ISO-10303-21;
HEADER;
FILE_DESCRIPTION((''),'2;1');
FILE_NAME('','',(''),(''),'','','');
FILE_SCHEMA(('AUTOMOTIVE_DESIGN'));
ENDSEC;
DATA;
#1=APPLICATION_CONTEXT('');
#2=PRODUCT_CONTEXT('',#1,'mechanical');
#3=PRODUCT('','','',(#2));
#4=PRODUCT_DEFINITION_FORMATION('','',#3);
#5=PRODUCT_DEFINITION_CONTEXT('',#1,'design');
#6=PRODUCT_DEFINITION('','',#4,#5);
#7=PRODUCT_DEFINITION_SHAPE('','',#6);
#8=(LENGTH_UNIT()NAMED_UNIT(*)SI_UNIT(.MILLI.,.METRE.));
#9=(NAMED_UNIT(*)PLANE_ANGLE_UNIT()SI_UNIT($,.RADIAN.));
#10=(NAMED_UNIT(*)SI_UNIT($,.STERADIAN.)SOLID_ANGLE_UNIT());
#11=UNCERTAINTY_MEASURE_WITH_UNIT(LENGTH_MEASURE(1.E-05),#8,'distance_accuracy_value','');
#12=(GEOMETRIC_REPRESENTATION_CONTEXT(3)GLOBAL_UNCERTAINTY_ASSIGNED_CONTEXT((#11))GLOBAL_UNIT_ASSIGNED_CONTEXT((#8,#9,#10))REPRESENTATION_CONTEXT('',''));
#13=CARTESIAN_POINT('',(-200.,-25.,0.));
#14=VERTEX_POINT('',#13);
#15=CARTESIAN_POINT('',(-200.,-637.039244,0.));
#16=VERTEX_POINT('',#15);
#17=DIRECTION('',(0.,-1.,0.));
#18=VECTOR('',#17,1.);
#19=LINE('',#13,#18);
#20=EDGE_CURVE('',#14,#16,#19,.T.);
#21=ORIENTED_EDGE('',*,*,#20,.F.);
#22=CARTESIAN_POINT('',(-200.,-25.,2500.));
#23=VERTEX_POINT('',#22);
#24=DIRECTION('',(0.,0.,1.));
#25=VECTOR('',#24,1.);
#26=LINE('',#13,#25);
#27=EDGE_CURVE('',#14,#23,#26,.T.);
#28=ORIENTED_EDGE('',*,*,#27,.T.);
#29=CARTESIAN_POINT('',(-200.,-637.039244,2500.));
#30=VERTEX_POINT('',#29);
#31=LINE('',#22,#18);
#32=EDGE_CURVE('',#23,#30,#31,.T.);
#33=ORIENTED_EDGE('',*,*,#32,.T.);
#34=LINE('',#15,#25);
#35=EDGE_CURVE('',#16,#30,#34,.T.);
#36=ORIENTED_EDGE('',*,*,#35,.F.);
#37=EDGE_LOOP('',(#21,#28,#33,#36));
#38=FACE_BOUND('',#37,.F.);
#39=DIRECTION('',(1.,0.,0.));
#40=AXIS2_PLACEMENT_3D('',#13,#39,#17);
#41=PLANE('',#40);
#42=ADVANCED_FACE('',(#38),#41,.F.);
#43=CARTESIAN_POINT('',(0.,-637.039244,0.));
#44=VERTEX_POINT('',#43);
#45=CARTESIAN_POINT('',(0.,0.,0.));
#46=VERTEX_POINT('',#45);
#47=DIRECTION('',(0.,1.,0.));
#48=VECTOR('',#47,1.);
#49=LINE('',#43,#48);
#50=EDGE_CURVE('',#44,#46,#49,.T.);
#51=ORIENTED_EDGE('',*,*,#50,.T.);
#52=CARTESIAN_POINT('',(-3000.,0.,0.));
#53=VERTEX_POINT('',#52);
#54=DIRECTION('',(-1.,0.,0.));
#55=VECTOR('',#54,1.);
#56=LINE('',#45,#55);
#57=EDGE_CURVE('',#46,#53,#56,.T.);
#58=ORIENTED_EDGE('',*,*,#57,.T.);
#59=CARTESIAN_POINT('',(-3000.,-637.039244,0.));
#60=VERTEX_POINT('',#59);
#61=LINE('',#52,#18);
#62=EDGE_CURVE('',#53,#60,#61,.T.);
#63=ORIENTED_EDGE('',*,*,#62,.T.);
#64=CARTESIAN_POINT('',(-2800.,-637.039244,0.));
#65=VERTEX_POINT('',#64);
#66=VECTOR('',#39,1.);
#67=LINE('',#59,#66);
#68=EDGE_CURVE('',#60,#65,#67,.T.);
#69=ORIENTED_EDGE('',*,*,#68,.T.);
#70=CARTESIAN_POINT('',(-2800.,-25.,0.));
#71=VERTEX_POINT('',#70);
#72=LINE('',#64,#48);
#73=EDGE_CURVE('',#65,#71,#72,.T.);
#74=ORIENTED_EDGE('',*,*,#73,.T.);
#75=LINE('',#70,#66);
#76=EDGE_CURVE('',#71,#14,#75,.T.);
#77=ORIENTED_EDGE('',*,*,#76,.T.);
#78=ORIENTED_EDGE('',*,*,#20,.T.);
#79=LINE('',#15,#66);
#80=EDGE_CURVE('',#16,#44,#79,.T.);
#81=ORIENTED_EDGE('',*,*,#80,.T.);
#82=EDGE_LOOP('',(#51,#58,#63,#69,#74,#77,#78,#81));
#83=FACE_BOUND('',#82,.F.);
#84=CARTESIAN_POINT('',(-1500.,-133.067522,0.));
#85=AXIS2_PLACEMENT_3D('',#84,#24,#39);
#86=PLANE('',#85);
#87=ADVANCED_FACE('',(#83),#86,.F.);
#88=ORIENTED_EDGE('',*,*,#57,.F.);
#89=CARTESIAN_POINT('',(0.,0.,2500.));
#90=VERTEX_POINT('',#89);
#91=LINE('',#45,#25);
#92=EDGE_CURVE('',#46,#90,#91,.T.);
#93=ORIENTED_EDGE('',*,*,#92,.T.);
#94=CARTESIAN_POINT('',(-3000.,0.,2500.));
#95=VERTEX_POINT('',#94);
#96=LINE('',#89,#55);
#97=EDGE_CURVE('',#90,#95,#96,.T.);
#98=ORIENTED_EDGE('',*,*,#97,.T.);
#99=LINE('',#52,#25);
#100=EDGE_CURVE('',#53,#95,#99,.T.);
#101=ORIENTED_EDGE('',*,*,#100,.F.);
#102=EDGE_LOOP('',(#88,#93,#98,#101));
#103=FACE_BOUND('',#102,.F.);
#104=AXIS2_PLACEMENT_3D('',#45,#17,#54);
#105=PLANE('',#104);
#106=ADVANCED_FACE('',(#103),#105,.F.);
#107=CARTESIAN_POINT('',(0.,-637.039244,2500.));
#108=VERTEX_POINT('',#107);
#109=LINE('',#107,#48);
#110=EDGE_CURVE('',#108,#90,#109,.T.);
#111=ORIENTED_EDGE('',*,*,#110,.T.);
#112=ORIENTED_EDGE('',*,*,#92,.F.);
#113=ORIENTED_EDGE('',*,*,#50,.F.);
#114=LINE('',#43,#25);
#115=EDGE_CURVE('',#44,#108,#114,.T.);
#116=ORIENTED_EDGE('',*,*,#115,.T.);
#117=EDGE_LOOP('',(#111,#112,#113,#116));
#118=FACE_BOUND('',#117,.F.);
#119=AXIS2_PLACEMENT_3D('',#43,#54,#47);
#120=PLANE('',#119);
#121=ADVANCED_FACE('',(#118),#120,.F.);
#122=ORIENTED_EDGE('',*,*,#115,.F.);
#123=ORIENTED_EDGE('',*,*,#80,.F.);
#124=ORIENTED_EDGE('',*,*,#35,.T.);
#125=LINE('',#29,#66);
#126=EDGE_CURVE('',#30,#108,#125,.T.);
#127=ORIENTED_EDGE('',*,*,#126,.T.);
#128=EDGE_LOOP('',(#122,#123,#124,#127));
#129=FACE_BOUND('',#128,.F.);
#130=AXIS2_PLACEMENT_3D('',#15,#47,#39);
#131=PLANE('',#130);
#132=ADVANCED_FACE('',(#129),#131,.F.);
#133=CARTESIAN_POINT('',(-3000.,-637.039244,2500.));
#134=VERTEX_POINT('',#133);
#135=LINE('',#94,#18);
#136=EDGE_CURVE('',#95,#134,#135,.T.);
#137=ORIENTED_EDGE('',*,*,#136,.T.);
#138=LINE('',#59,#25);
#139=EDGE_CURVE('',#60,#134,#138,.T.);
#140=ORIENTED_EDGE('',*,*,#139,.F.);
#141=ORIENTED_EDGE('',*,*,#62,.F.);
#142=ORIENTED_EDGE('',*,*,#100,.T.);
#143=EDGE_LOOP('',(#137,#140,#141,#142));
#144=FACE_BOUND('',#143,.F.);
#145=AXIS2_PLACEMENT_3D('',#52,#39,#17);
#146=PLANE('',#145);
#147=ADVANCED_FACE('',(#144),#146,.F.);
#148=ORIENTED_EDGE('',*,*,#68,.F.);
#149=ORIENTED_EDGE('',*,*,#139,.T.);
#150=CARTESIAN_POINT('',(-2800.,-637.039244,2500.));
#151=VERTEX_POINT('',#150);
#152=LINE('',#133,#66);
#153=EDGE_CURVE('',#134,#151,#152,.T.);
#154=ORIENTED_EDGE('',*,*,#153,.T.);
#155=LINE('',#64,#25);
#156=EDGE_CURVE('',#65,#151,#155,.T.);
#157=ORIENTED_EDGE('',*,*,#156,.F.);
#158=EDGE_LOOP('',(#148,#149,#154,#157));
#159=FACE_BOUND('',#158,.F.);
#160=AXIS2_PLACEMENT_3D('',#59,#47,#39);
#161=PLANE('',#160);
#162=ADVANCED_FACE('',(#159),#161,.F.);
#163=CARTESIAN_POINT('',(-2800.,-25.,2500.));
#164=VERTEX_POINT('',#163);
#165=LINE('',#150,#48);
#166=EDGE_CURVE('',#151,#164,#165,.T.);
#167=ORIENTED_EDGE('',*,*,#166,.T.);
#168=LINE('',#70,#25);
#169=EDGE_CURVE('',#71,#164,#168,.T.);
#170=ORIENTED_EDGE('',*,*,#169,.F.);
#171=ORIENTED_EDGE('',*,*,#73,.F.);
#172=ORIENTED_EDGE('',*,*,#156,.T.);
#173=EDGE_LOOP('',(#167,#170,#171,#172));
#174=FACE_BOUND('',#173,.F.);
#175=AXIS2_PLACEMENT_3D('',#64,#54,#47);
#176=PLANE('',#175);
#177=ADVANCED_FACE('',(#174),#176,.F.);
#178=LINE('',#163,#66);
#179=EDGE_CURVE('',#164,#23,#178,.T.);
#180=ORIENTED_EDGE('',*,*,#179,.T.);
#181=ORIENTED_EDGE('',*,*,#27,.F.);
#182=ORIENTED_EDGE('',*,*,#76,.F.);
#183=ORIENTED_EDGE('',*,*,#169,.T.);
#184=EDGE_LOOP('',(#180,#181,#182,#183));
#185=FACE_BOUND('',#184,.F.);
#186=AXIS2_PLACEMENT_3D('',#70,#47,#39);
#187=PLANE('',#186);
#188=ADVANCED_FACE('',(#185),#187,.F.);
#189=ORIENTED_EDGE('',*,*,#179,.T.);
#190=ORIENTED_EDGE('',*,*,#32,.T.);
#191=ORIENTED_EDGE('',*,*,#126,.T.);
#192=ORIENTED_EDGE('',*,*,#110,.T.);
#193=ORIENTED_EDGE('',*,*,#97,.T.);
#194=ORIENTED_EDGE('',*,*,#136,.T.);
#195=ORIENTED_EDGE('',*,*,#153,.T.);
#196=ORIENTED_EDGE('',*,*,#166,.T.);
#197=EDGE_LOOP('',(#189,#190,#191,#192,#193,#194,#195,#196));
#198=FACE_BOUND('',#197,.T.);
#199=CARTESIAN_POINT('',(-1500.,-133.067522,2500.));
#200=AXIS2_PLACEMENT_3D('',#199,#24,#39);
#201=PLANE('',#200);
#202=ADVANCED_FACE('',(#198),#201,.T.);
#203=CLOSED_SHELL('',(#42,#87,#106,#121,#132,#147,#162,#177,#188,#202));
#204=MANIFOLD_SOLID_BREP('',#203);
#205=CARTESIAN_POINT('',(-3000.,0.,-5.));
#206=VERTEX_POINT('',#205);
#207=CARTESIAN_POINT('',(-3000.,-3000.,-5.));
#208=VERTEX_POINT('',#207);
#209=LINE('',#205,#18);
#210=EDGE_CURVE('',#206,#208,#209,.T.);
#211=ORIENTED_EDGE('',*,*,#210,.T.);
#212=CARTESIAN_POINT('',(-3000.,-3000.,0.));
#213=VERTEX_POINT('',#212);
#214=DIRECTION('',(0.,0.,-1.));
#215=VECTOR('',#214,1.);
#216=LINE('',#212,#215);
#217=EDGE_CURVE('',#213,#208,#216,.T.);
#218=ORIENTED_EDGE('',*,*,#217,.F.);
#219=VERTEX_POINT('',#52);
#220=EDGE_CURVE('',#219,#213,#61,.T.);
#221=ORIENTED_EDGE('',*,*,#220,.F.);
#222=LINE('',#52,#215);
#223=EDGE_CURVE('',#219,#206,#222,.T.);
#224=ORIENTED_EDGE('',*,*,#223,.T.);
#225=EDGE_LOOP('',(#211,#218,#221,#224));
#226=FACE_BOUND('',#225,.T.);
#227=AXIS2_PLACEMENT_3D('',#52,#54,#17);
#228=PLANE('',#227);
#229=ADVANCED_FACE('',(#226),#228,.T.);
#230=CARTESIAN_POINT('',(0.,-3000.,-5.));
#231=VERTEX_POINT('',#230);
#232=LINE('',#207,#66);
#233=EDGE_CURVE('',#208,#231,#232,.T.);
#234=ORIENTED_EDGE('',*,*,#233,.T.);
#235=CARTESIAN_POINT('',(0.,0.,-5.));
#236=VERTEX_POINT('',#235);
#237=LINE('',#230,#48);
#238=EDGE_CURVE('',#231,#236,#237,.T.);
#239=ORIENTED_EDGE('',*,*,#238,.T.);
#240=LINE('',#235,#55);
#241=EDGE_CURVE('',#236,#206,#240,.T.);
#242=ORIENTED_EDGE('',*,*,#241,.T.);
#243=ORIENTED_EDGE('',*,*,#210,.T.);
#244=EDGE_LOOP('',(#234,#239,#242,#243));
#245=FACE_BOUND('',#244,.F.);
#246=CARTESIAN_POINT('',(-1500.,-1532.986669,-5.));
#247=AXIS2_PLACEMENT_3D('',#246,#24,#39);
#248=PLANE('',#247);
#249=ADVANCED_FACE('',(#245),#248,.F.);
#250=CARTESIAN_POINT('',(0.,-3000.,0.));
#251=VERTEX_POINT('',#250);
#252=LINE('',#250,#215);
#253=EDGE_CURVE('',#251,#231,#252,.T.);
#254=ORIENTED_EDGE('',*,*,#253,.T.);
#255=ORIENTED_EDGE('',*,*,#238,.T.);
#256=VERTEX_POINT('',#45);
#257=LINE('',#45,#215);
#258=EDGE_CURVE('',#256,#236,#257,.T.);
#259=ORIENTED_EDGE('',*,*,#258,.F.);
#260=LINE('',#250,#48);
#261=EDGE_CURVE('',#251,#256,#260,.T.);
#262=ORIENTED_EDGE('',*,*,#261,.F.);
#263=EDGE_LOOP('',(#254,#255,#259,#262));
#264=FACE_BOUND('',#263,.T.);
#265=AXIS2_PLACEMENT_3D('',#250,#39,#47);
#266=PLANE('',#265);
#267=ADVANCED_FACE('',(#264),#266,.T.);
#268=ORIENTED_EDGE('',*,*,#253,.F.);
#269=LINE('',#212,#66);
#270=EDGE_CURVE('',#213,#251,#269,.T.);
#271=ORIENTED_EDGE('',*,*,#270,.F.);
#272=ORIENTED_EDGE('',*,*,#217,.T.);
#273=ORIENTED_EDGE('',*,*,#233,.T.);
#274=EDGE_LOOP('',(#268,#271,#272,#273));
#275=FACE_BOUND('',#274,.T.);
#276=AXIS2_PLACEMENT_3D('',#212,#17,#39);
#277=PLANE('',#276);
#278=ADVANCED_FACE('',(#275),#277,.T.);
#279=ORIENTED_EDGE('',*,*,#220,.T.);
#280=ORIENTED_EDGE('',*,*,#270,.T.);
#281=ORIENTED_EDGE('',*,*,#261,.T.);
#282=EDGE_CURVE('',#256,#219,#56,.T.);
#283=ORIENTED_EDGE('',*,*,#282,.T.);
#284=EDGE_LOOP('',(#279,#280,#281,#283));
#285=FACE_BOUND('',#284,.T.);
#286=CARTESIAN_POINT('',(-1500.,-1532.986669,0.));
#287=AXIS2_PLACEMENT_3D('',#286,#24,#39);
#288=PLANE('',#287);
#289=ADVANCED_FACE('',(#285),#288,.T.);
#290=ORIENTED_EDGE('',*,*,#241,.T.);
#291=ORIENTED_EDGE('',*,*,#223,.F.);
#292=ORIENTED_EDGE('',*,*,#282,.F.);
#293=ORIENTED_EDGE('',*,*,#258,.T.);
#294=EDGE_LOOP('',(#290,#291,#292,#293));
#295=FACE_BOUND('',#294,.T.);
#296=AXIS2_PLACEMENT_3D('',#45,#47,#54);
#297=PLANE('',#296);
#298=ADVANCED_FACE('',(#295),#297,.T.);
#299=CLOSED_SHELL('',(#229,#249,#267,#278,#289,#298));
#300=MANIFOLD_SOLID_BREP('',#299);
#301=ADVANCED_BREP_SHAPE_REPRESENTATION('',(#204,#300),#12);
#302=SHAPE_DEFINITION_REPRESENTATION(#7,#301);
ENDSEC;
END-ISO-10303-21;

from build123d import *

# Parameters (mm, degrees)
F1_DEPTH = 5
F2_DEPTH = 2500


with BuildPart() as f1:
    # F0 (on Top) → F1 (new body)
    with BuildSketch(Plane.XY):
        Polygon((0, -3000), (0, -637.039244), (-200, -637.039244), (-200, -25), (-2800, -25), (-2800, -637.039244), (-3000, -637.039244), (-3000, -3000), align=None)
        Polygon((0, -637.039244), (0, 0), (-3000, 0), (-3000, -637.039244), (-2800, -637.039244), (-2800, -25), (-200, -25), (-200, -637.039244), align=None)
    extrude(amount=-F1_DEPTH)


with BuildPart() as f2:
    # F0 (on Top) → F2 (new body)
    with BuildSketch(Plane.XY):
        Polygon((0, -637.039244), (0, 0), (-3000, 0), (-3000, -637.039244), (-2800, -637.039244), (-2800, -25), (-200, -25), (-200, -637.039244), align=None)
    extrude(amount=F2_DEPTH)


solid = Compound([f1.part, f2.part])
